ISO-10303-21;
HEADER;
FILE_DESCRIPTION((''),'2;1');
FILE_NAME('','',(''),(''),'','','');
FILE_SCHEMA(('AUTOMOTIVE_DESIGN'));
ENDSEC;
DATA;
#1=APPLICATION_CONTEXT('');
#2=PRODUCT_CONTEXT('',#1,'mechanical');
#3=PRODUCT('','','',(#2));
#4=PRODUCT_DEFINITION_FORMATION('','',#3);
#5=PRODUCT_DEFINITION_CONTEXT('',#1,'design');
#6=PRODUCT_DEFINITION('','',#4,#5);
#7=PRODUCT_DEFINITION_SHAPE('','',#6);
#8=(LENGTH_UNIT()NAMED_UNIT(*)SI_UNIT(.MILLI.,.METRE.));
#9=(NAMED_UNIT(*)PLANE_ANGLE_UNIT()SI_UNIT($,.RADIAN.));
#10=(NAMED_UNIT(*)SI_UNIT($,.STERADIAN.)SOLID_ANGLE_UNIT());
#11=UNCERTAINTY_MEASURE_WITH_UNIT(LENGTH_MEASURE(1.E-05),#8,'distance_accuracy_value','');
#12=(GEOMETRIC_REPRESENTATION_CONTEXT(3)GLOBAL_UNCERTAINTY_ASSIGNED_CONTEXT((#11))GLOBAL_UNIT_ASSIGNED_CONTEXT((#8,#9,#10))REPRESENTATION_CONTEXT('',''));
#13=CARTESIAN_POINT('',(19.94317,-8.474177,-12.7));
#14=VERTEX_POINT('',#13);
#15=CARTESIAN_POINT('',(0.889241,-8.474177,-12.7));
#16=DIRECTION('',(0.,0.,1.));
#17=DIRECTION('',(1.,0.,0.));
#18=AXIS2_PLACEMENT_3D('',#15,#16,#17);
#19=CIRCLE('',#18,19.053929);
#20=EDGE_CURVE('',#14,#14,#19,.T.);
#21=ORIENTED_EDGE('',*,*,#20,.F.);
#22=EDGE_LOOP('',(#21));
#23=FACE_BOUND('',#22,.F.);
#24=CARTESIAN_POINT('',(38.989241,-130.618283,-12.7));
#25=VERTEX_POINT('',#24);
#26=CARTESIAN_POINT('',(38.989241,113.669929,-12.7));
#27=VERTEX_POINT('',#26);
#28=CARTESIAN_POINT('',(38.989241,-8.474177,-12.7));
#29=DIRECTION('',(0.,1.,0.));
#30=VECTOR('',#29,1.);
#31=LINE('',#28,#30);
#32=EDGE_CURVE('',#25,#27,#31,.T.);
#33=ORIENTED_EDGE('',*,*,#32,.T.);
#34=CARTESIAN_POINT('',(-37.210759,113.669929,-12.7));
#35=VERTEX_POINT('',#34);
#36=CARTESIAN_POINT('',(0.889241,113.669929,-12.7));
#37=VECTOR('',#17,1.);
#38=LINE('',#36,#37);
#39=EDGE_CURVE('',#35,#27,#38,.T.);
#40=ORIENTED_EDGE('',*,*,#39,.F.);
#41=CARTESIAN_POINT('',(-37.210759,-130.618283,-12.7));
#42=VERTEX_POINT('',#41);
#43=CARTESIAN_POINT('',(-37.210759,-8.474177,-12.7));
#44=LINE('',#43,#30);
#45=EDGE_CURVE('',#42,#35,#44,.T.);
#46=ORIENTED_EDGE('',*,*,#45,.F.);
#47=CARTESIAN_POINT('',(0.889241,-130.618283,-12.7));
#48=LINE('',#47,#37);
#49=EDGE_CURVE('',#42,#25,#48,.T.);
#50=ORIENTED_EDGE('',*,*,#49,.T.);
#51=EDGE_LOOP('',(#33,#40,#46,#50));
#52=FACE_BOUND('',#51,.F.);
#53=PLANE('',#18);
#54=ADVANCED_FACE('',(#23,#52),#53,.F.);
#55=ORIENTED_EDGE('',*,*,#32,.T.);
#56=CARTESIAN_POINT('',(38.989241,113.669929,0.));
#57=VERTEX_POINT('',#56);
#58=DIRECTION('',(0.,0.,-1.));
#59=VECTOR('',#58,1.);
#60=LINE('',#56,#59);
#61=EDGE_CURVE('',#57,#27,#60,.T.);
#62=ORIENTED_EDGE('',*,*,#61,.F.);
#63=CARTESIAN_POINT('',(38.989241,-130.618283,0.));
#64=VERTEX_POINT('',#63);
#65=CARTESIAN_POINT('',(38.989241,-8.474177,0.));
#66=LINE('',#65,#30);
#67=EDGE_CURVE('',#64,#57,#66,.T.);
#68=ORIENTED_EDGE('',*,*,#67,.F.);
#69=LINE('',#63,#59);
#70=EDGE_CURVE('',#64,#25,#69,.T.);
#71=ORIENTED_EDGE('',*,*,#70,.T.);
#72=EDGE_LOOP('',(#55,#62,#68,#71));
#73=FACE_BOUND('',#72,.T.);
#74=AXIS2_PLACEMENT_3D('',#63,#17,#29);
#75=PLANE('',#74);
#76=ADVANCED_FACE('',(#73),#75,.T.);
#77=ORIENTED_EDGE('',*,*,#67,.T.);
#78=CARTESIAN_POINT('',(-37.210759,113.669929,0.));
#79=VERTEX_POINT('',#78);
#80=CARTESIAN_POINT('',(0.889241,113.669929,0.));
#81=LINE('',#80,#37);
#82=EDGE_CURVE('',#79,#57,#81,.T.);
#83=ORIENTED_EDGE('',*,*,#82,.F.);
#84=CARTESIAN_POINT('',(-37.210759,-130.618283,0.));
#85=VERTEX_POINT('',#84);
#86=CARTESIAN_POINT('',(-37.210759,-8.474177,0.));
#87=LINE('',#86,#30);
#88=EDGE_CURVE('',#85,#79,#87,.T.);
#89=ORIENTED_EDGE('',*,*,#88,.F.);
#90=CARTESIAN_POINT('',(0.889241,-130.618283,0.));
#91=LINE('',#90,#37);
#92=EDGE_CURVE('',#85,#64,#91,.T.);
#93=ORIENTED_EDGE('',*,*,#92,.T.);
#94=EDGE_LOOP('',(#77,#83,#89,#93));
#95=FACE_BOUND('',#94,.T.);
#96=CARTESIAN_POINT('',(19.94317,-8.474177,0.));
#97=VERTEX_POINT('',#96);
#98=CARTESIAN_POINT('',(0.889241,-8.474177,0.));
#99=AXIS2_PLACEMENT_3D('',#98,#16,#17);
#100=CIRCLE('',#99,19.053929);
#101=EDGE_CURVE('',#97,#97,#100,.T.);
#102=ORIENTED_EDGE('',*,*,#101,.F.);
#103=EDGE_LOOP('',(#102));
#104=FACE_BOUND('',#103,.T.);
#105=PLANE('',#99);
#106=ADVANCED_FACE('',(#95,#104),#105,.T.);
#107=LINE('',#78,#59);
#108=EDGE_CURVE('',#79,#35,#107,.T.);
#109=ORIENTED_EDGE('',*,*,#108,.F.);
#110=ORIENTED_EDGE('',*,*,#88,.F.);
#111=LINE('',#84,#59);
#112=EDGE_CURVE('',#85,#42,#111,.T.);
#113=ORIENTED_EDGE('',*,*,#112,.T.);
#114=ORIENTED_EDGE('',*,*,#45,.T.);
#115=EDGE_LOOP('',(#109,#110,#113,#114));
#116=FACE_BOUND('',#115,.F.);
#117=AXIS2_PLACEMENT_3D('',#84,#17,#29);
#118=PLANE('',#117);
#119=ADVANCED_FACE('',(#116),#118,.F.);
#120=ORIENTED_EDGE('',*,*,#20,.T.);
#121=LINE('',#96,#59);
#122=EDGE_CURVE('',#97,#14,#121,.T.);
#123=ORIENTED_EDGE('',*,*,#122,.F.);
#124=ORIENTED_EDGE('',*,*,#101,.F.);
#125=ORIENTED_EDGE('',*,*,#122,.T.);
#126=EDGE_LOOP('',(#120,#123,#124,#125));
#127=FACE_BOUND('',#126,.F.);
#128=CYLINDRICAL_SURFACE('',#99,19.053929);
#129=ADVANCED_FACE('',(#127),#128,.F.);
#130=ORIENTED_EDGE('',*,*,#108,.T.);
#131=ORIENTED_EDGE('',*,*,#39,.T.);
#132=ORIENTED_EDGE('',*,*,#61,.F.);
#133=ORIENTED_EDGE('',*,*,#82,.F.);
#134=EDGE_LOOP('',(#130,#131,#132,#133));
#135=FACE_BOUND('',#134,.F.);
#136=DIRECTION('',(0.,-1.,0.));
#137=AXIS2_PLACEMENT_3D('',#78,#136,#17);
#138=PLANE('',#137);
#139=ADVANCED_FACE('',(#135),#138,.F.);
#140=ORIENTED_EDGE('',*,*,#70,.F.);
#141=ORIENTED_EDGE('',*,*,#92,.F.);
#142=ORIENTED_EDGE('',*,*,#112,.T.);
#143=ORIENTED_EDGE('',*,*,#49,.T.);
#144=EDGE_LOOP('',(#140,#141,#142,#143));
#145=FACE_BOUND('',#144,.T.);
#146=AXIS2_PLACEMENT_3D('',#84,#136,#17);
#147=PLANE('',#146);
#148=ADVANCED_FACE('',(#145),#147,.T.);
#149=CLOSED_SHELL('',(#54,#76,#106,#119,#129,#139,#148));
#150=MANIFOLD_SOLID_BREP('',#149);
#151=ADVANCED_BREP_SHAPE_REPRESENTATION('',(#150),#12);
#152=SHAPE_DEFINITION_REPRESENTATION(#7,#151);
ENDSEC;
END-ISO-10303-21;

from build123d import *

# Parameters (mm, degrees)
F0_W     = 76.2
F0_H     = 244.288212
F0_R     = 19.053929
F1_DEPTH = 12.7


with BuildPart() as f1:
    # F0 (on Top) → F1 (new body)
    with BuildSketch(Plane.XY):
        with Locations((0.889241, -8.474177)):
            Rectangle(F0_W, F0_H)
        with Locations((0.889241, -8.474177)):
            Circle(F0_R, mode=Mode.SUBTRACT)
    extrude(amount=-F1_DEPTH)


solid = f1.part
